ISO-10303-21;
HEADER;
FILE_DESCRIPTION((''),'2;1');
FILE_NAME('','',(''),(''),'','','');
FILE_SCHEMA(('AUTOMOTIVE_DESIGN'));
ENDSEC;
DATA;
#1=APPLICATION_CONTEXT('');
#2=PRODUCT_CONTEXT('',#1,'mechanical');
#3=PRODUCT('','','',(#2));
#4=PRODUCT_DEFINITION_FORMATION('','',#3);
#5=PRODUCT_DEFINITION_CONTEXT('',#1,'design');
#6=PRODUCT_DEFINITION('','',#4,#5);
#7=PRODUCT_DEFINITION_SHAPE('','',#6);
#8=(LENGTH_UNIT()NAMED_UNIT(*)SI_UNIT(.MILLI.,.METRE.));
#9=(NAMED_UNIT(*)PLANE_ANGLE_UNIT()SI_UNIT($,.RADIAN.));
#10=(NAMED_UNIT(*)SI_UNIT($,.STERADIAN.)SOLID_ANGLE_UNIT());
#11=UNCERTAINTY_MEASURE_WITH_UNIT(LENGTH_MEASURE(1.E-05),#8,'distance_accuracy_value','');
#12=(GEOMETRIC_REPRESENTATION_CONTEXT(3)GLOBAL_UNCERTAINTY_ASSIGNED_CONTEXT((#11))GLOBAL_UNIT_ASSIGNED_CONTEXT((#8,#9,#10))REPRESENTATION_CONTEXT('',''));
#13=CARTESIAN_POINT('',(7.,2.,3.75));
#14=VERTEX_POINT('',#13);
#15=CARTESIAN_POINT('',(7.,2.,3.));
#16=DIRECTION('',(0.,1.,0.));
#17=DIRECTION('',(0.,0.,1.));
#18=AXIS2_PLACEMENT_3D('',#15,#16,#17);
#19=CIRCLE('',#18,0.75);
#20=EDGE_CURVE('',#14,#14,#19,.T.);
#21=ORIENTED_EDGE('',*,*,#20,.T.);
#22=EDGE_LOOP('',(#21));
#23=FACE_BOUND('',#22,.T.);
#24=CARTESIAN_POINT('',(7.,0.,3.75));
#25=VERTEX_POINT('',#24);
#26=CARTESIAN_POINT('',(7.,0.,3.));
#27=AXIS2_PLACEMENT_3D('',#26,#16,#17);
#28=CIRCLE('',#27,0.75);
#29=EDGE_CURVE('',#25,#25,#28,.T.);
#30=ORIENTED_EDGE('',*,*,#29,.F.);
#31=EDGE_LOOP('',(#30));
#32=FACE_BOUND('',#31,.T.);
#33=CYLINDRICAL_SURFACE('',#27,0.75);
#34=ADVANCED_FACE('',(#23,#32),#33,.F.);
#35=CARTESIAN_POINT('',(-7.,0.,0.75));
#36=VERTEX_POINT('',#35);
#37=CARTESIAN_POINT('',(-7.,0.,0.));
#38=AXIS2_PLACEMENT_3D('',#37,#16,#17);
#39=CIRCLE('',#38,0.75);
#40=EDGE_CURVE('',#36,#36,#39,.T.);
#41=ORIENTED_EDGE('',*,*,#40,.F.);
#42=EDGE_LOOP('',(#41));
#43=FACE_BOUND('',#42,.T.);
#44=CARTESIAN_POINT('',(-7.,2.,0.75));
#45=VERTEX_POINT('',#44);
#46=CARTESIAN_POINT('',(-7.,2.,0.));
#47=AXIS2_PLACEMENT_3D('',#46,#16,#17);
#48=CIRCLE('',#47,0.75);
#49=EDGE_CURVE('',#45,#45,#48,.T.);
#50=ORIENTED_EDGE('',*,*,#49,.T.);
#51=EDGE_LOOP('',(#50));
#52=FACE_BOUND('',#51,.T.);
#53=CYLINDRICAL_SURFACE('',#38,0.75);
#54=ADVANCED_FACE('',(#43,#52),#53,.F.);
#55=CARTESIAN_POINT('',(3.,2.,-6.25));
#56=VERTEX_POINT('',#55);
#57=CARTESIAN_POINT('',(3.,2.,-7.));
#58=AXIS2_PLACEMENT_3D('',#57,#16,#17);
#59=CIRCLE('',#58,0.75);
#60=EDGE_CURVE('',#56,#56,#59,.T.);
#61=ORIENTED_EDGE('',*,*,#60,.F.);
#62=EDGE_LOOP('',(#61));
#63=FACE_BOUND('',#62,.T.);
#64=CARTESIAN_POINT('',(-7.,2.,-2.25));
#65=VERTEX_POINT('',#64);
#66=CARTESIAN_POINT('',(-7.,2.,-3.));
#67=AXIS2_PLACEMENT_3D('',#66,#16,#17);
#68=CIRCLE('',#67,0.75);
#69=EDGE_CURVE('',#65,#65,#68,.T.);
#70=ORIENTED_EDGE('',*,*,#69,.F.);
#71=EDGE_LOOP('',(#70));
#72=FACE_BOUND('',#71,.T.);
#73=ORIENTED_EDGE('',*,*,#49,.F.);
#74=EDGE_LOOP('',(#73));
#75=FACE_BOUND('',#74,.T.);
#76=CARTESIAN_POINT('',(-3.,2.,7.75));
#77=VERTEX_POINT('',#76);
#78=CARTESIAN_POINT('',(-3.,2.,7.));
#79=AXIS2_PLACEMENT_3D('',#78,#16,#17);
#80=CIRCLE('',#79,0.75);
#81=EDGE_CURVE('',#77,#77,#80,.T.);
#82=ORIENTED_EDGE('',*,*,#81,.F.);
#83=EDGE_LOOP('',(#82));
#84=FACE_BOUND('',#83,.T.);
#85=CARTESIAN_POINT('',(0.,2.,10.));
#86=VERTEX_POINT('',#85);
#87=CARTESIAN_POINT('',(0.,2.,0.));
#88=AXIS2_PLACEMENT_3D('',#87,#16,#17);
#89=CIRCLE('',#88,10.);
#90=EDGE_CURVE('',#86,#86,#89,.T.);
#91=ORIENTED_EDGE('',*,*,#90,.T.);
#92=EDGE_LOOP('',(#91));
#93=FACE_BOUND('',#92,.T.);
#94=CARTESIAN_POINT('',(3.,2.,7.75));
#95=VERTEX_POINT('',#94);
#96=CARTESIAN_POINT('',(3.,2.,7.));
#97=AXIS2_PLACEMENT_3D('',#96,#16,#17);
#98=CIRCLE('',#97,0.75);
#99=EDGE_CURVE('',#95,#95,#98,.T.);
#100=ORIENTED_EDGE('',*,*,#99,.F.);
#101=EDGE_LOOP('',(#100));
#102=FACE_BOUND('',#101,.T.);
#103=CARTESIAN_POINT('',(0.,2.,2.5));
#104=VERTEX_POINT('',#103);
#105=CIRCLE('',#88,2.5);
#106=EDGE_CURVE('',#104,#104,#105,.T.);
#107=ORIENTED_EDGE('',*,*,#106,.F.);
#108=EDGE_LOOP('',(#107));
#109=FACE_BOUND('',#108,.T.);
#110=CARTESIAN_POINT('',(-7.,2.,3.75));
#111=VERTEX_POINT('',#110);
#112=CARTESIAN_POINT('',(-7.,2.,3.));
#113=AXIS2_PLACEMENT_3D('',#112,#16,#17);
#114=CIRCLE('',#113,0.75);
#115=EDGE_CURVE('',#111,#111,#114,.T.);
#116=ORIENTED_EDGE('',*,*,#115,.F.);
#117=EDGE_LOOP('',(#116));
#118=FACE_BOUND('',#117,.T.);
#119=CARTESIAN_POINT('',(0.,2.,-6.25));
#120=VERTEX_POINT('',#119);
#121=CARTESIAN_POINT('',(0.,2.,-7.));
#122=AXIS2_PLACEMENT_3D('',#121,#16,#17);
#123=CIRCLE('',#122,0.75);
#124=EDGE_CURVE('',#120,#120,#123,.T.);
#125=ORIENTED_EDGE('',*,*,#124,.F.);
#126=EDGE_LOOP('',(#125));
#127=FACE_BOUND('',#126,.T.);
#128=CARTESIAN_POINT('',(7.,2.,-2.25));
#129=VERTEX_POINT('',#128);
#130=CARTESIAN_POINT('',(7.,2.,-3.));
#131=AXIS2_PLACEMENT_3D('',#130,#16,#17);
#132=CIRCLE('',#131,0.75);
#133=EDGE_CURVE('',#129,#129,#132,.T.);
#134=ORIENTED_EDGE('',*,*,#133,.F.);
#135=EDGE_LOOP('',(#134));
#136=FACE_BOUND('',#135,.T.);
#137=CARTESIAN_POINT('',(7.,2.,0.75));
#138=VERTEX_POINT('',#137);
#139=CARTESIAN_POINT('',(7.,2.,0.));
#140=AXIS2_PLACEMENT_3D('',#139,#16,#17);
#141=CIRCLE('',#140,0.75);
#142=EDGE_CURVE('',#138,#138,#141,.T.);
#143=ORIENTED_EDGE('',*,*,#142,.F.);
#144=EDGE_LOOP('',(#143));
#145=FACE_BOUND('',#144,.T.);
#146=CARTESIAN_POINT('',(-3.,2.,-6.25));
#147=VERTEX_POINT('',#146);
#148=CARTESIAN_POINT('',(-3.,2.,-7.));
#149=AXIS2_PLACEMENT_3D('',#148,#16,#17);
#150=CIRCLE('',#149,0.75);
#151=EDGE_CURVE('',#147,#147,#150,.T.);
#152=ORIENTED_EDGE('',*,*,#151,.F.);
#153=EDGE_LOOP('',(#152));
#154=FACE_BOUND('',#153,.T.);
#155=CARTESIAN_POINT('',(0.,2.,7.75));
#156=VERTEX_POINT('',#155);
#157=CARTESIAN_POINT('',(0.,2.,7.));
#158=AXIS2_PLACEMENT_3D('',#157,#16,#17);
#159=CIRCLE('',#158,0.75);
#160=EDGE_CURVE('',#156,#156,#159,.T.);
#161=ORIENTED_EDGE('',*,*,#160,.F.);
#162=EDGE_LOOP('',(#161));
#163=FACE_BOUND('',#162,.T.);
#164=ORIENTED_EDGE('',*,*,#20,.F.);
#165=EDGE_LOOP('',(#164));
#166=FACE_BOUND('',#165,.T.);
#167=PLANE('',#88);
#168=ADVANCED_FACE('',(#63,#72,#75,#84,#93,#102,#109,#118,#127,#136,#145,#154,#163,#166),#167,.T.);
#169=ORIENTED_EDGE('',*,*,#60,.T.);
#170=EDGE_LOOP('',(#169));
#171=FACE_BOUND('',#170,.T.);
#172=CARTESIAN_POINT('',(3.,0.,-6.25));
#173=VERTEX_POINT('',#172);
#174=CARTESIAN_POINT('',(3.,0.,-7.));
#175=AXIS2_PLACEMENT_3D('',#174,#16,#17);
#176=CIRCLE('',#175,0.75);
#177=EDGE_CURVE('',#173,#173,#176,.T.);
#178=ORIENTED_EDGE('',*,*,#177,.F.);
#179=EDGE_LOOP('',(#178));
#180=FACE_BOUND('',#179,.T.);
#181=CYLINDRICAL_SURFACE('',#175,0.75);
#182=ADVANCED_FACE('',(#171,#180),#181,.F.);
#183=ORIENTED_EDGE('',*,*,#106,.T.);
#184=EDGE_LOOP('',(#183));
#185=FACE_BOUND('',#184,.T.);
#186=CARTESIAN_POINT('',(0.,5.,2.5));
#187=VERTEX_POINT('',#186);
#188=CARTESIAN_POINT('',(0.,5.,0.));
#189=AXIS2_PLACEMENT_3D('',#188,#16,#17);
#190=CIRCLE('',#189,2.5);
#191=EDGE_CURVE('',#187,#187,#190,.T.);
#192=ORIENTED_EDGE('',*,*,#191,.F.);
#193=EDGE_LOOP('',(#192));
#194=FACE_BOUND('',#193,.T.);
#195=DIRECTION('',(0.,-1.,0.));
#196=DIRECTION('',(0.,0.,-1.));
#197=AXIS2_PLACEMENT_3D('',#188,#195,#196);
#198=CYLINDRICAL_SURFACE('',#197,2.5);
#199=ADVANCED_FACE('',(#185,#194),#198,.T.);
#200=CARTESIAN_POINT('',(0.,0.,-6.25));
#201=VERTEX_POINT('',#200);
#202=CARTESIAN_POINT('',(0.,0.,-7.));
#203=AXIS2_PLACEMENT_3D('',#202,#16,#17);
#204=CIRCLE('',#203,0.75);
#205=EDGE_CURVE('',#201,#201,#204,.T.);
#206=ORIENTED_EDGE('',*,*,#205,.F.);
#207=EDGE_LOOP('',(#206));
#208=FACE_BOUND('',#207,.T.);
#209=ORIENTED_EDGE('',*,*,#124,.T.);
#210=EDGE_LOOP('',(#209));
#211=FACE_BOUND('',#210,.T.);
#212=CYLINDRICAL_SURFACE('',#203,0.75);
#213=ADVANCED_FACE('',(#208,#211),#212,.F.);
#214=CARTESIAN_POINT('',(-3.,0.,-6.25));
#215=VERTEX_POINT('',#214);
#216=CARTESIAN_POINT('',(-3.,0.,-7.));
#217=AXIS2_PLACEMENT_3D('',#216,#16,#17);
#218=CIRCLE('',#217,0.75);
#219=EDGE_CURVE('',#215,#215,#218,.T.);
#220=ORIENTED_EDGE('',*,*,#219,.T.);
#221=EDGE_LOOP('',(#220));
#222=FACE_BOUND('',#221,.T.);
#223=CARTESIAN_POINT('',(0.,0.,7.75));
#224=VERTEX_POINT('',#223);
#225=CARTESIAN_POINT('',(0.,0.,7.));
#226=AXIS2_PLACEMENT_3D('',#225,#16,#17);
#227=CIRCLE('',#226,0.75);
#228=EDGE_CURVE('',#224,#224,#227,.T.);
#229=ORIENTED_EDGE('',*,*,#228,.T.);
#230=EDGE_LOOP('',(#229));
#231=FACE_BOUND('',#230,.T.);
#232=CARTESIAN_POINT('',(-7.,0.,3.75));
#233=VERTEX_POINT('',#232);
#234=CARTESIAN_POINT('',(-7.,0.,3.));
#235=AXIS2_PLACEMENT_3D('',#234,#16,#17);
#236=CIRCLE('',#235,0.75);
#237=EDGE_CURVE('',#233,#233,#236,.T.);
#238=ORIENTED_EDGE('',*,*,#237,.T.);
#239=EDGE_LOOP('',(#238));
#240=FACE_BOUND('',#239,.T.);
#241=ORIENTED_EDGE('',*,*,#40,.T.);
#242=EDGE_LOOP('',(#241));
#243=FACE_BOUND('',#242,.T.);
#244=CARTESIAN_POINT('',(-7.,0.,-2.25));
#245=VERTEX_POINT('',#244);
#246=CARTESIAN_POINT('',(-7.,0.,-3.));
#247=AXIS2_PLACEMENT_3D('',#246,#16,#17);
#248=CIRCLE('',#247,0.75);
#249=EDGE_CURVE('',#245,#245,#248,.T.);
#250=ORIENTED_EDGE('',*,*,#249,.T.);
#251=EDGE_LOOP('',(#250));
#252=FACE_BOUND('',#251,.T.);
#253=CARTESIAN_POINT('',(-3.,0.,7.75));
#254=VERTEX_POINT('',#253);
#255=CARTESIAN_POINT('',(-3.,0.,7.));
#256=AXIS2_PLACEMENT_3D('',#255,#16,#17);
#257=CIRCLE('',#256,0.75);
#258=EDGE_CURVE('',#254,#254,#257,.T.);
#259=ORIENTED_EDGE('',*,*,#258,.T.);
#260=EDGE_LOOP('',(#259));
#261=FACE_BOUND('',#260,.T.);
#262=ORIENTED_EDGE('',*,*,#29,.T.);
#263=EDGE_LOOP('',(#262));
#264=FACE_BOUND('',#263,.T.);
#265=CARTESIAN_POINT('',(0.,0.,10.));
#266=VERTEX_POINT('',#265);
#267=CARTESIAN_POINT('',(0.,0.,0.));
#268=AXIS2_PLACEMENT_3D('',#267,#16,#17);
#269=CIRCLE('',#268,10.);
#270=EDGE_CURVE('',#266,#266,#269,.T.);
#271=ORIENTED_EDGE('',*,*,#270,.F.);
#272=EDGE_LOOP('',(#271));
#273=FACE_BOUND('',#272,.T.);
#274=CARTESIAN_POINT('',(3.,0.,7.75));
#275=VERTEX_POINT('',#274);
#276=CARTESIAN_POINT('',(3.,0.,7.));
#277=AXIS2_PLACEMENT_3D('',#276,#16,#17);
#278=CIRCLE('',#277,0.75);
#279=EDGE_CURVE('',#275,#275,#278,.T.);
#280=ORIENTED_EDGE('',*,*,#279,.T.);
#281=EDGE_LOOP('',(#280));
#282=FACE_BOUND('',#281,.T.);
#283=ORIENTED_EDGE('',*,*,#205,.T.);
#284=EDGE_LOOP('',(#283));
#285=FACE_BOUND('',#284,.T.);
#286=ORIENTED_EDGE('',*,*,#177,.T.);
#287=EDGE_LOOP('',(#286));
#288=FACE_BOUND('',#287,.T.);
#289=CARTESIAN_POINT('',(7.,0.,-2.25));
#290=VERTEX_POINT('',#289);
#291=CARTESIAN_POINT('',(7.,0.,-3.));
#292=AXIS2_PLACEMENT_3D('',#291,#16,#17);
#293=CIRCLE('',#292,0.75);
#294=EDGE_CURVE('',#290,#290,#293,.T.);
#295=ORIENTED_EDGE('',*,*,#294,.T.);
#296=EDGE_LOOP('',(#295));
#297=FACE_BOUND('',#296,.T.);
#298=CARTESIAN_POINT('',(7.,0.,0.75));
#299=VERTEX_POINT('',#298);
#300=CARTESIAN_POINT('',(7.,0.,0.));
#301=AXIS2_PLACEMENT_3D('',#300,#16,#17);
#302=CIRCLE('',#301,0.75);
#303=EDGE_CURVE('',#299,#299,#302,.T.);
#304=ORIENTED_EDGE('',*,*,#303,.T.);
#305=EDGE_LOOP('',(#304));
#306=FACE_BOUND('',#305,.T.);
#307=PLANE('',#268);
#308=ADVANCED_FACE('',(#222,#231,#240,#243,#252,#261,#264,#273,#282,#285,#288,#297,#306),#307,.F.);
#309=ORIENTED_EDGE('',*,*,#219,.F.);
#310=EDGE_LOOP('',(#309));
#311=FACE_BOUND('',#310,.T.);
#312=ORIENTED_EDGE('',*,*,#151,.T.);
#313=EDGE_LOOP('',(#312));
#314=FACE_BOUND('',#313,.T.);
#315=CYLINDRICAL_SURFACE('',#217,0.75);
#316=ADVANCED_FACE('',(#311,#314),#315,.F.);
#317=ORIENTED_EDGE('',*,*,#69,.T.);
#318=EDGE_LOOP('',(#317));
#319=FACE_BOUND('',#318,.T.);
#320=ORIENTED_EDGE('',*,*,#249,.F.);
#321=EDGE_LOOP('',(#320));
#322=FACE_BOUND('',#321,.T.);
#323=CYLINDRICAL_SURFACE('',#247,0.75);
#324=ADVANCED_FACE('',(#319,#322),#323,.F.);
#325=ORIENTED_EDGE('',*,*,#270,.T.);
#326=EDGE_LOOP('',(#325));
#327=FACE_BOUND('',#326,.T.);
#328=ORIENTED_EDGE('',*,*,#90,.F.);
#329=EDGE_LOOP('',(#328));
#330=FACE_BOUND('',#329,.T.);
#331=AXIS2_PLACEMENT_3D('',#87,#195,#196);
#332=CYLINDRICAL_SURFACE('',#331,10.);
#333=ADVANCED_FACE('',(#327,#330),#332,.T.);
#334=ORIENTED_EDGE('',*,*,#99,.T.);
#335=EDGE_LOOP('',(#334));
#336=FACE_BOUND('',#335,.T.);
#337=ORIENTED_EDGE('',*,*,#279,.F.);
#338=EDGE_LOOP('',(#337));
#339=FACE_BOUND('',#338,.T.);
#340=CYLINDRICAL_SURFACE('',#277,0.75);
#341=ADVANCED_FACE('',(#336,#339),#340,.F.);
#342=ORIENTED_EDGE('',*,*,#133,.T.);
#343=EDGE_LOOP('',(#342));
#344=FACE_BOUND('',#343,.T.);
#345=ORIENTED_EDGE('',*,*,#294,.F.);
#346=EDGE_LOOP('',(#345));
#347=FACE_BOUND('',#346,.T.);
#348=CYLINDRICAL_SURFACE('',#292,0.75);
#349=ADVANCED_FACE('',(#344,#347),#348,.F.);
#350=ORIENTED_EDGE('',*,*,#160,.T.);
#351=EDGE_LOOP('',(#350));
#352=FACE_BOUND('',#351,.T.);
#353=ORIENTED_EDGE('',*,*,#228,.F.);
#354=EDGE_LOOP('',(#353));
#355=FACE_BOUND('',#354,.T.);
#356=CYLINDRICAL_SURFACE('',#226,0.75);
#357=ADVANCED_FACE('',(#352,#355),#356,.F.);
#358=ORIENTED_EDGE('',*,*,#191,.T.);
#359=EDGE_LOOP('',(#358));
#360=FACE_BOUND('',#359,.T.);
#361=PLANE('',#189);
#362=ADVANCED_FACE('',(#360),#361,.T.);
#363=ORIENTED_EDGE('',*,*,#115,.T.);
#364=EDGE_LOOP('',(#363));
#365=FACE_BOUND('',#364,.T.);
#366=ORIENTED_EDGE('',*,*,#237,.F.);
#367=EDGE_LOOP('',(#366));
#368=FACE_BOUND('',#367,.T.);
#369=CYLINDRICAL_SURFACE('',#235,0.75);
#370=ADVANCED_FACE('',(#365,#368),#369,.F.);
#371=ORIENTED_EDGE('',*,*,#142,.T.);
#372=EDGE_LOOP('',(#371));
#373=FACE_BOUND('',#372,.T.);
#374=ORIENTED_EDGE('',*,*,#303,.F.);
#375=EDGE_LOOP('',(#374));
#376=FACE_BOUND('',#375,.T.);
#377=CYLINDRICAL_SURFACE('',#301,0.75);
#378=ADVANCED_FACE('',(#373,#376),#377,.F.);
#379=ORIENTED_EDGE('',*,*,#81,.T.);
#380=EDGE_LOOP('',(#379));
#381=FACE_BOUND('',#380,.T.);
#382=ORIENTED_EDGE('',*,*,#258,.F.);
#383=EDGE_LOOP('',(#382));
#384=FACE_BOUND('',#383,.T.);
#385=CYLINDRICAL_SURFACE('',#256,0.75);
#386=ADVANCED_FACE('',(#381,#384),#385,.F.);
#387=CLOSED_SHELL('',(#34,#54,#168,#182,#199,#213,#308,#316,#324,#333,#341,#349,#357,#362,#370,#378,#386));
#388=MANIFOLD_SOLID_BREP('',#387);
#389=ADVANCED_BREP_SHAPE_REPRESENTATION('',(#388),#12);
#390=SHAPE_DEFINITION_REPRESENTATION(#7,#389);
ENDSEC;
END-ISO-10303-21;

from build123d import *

# Parameters (mm, degrees)
SKETCH_1_R          = 10
EXTRUDE_1_DEPTH     = 2
SKETCH_2_R          = 2.5
EXTRUDE_2_DEPTH     = 3
SKETCH_3_R          = 0.75
CUT_EXTRUDE_1_DEPTH = 15.456832295


with BuildPart() as part:
    # 草图1 → 凸台-拉伸1 (new body)
    with BuildSketch(Plane(origin=(0, 0, 0), x_dir=(1, 0, 0), z_dir=(0, 1, 0))):
        with Locations(Location((0, 0, 0), (0, 0, 270))):
            Circle(SKETCH_1_R)
    extrude(amount=EXTRUDE_1_DEPTH)

    # 草图2 → 凸台-拉伸2 (add)
    with BuildSketch(Plane(origin=(0, 2, 0), x_dir=(1, 0, 0), z_dir=(0, 1, 0))):
        with Locations(Location((0, 0, 0), (0, 0, 270))):
            Circle(SKETCH_2_R)
    extrude(amount=EXTRUDE_2_DEPTH)

    # 草图3 → 切除-拉伸1 (cut, through all)
    with BuildSketch(Plane(origin=(0, 2, 0), x_dir=(1, 0, 0), z_dir=(0, 1, 0))):
        with Locations(Location((0, 7, 0), (0, 0, 270))):
            Circle(SKETCH_3_R)
        with Locations(Location((-3, 7, 0), (0, 0, 270))):
            Circle(SKETCH_3_R)
        with Locations(Location((3, 7, 0), (0, 0, 270))):
            Circle(SKETCH_3_R)
        with Locations(Location((7, 3, 0), (0, 0, 270))):
            Circle(SKETCH_3_R)
        with Locations(Location((7, 0, 0), (0, 0, 270))):
            Circle(SKETCH_3_R)
        with Locations(Location((7, -3, 0), (0, 0, 270))):
            Circle(SKETCH_3_R)
        with Locations(Location((3, -7, 0), (0, 0, 270))):
            Circle(SKETCH_3_R)
        with Locations(Location((0, -7, 0), (0, 0, 270))):
            Circle(SKETCH_3_R)
        with Locations(Location((-3, -7, 0), (0, 0, 270))):
            Circle(SKETCH_3_R)
        with Locations(Location((-7, -3, 0), (0, 0, 270))):
            Circle(SKETCH_3_R)
        with Locations(Location((-7, 0, 0), (0, 0, 270))):
            Circle(SKETCH_3_R)
        with Locations(Location((-7, 3, 0), (0, 0, 270))):
            Circle(SKETCH_3_R)
    extrude(amount=-CUT_EXTRUDE_1_DEPTH, mode=Mode.SUBTRACT)


solid = part.part
